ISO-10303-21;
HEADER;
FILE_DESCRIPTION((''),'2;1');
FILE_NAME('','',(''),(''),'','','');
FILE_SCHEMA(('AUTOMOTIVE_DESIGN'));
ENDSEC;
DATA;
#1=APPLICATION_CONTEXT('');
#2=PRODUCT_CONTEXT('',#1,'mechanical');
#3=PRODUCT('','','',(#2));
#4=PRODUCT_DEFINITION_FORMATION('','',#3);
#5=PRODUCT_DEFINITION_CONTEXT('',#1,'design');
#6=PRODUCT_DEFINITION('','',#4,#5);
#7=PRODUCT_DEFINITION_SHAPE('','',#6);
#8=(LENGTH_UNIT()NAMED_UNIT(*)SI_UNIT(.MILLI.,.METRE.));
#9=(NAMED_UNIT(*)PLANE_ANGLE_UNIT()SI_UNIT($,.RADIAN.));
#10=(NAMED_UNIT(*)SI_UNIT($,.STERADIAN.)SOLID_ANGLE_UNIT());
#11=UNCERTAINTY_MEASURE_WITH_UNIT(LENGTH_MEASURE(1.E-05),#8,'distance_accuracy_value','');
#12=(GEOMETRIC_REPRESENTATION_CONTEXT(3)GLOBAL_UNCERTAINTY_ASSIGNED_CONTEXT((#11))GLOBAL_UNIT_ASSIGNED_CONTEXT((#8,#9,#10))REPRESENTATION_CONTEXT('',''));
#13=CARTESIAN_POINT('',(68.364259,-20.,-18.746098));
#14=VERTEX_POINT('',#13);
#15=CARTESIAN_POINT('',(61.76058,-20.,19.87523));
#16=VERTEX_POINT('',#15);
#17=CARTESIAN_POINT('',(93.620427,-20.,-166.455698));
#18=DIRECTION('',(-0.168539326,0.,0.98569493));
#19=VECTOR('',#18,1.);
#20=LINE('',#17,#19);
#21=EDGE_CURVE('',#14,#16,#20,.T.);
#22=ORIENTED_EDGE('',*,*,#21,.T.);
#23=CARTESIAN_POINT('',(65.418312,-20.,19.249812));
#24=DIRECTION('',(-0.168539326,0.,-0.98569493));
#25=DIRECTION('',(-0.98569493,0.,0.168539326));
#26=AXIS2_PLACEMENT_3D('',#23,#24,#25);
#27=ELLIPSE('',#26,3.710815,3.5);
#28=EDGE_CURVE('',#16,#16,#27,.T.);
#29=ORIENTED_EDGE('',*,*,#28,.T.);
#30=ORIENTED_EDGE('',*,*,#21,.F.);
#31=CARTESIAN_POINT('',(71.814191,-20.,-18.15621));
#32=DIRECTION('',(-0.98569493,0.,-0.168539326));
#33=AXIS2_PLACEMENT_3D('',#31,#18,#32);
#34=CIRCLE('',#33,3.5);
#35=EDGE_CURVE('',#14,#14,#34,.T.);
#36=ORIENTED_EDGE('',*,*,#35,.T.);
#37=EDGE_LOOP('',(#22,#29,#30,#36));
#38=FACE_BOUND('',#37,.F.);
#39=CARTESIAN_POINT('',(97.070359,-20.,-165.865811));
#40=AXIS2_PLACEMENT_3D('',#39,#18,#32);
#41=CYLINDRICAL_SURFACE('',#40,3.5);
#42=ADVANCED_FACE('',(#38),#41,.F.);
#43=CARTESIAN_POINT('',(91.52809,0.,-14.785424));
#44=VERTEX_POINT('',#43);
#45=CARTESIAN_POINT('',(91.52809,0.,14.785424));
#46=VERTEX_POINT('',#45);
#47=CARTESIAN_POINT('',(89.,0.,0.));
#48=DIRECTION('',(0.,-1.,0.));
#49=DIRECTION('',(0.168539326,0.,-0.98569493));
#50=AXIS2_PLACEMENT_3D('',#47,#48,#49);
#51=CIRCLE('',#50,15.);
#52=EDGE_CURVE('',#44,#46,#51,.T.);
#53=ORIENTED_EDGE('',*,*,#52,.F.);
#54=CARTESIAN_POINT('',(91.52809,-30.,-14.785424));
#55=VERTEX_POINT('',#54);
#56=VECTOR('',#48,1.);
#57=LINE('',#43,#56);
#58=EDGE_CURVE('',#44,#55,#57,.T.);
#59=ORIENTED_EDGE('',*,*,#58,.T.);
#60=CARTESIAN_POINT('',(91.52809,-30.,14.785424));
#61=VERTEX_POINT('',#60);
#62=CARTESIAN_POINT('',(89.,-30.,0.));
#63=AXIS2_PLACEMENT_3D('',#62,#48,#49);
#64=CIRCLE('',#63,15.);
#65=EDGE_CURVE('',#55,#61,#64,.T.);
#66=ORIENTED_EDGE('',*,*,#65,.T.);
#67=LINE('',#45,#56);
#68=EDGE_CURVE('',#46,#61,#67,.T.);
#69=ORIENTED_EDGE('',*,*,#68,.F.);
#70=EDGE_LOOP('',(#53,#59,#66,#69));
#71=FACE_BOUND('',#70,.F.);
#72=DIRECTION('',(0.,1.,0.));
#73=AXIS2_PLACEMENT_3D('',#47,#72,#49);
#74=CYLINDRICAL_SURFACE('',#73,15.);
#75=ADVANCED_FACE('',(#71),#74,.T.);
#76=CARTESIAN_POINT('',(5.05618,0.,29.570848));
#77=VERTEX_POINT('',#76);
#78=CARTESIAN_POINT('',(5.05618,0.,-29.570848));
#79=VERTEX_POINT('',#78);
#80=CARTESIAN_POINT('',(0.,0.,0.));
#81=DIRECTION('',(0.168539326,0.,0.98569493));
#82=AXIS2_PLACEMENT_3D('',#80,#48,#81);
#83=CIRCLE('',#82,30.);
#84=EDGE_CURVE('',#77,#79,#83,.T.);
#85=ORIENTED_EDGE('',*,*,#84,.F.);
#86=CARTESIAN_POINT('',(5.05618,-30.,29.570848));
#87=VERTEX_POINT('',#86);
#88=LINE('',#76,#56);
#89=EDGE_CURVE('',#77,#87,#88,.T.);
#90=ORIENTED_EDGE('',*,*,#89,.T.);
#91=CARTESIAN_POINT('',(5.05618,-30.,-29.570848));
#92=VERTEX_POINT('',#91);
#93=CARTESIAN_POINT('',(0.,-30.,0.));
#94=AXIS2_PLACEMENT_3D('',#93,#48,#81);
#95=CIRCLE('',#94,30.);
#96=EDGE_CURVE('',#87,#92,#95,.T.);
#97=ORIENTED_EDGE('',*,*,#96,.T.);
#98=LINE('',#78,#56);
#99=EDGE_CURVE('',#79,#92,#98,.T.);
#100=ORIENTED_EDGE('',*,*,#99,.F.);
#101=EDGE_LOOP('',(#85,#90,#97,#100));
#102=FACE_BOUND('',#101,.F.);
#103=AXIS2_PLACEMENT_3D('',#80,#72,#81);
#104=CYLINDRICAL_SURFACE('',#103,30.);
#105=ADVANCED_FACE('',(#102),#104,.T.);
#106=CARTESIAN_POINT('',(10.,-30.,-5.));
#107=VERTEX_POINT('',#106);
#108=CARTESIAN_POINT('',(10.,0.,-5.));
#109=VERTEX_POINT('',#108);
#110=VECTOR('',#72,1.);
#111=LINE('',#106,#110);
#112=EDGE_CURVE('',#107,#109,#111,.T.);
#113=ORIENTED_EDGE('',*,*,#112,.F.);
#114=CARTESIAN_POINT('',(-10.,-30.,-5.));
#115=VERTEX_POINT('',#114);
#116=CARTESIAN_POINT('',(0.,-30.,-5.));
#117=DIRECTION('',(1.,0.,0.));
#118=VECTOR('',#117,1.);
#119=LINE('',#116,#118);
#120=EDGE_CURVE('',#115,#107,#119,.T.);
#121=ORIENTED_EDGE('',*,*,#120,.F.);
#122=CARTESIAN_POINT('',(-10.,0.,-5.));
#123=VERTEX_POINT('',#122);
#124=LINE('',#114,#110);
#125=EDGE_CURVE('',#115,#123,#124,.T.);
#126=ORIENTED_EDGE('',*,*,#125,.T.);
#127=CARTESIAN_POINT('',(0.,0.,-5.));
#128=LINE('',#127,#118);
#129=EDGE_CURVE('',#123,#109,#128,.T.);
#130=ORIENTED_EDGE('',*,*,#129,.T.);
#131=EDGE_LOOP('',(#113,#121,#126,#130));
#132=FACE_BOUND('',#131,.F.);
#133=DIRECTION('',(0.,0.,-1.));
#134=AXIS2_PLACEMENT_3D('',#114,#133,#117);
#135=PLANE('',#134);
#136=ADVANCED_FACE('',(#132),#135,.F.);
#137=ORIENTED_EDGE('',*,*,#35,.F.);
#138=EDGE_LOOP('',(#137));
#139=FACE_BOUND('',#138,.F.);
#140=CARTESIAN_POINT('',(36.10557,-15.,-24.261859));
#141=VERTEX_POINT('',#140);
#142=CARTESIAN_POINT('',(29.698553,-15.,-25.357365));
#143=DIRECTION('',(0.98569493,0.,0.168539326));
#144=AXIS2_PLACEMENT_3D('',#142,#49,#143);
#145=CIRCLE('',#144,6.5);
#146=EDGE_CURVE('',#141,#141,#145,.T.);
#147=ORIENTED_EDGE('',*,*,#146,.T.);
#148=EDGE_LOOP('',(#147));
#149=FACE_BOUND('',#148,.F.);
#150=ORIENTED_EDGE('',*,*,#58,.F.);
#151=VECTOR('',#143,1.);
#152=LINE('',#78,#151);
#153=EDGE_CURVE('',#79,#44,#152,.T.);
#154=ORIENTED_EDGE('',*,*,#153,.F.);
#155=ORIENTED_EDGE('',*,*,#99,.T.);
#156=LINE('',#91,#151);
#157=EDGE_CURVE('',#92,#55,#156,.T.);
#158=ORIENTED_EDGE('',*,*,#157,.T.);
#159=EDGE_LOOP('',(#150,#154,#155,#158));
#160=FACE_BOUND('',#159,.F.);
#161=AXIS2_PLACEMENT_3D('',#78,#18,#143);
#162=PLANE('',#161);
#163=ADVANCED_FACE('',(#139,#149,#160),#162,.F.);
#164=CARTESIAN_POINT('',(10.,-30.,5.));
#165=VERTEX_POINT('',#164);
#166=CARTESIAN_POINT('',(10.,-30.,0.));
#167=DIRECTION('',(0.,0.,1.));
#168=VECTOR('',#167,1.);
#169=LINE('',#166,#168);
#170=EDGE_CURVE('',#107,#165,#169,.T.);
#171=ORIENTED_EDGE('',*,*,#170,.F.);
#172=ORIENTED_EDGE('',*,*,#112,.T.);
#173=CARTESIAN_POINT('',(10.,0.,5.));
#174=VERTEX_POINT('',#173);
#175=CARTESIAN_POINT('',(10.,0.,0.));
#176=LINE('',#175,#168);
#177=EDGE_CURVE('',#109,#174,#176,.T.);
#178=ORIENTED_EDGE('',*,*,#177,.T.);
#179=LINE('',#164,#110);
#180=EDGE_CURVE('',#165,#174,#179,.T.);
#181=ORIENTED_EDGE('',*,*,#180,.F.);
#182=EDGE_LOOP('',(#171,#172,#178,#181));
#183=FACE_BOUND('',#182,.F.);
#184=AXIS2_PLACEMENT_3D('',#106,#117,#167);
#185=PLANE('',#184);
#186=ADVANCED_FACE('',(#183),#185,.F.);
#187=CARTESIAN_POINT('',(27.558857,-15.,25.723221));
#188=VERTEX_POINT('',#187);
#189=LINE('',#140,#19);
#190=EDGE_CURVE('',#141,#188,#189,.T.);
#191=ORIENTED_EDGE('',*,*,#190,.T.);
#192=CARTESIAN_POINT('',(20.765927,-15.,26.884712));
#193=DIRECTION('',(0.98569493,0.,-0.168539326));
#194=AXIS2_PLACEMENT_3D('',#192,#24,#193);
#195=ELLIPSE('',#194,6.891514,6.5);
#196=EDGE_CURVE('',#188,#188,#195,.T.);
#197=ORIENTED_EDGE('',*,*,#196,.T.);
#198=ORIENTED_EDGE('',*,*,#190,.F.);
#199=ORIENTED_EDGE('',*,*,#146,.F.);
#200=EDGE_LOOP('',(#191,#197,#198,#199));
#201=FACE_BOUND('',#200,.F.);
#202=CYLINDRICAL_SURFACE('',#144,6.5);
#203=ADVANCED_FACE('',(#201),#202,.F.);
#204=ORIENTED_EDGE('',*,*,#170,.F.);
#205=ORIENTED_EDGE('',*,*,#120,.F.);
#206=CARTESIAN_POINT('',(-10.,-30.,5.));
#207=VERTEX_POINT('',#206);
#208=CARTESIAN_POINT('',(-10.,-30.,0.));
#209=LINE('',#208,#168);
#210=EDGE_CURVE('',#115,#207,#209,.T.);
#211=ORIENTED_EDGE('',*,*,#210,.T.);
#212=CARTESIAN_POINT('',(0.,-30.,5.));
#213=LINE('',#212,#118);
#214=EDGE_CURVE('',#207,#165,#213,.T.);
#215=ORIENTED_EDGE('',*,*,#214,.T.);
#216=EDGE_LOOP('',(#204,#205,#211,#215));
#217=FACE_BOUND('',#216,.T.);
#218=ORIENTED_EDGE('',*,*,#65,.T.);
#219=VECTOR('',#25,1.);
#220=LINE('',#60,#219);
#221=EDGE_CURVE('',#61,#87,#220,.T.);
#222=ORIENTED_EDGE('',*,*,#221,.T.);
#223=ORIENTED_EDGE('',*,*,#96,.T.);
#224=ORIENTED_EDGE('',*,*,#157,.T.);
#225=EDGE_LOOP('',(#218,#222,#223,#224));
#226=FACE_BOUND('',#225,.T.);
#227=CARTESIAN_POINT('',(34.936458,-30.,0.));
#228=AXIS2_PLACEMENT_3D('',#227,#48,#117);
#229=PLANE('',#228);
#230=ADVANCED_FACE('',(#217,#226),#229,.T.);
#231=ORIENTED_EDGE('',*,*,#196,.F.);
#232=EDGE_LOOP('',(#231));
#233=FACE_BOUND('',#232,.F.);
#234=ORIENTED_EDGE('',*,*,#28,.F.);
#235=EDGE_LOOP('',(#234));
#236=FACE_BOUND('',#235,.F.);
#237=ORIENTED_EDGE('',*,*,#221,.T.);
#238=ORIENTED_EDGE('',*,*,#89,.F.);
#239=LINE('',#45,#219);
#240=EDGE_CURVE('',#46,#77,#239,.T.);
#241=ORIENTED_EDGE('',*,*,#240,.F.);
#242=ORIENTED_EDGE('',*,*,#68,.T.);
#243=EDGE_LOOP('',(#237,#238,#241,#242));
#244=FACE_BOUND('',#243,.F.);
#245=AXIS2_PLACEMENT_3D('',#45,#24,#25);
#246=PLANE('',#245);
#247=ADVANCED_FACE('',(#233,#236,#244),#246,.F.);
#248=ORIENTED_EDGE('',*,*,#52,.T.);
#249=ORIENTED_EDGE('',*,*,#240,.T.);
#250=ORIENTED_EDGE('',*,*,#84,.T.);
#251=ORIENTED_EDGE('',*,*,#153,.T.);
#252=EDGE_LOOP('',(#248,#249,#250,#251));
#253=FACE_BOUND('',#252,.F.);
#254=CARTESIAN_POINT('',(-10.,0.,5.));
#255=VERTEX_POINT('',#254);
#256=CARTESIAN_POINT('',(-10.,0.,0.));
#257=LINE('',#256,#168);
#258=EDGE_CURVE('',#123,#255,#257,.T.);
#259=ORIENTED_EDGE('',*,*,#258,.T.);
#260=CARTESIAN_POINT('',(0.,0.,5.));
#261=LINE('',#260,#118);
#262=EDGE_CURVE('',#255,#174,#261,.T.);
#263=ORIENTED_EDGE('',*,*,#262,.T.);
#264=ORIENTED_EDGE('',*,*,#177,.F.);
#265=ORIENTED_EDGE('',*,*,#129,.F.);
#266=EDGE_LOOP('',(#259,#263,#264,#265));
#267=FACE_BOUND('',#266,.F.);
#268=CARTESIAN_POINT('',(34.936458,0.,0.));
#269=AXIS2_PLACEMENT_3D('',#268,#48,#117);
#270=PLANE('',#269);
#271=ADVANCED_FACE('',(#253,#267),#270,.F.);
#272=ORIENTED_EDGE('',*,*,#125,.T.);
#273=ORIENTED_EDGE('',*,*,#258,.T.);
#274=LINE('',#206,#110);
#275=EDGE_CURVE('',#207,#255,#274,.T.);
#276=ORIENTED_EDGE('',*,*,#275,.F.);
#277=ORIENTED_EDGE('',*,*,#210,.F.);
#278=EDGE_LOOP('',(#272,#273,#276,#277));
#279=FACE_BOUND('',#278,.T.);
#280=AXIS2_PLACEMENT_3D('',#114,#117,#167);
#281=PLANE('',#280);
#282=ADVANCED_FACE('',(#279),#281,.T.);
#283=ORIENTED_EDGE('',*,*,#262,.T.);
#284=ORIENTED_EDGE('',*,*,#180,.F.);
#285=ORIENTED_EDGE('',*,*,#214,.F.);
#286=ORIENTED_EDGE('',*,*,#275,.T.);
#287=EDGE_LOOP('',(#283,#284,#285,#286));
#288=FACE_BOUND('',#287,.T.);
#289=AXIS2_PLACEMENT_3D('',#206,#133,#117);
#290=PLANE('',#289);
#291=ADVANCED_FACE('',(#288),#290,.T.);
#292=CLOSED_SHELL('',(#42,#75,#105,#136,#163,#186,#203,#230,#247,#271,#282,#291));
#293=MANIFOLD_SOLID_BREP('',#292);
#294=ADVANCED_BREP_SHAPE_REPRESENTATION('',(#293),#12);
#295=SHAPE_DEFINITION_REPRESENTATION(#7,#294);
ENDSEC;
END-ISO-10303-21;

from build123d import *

# Parameters (mm, degrees)
F1_DEPTH = 30
F2_W     = 20
F2_H     = 10
F3_DEPTH = 30
F4_R     = 6.5
F5_DEPTH = 64.6280276847
F7_D     = 7


with BuildPart() as f1:
    # F0 (on Front) → F1 (new body)
    with BuildSketch(Plane.XZ):
        with BuildLine():
            Line((91.5280898876, 14.7854239547), (5.0561797753, 29.5708479094))
            ThreePointArc((5.0561797753, 29.5708479094), (-30, 0), (5.0561797753, -29.5708479094))
            Line((5.0561797753, -29.5708479094), (91.5280898876, -14.7854239547))
            ThreePointArc((91.5280898876, -14.7854239547), (104, 0), (91.5280898876, 14.7854239547))
        make_face()
    extrude(amount=F1_DEPTH)

    # F2 (on face) → F3 (cut)
    with BuildSketch(Plane.XZ.offset(30)):
        Rectangle(F2_W, F2_H)
    extrude(amount=-F3_DEPTH, mode=Mode.SUBTRACT)

    # F4 (on face) → F5 (cut, through all)
    with BuildSketch(Plane(origin=(5.0561797753, 0, -29.5708479094), x_dir=(0.9856949303, 0, 0.1685393258), z_dir=(0.1685393258, 0, -0.9856949303))):
        with Locations((25, 15)):
            Circle(F4_R)
    extrude(amount=-F5_DEPTH, mode=Mode.SUBTRACT)

    # F7 (through all)
    with Locations(Plane(origin=(5.0561797753, 0, -29.5708479094), x_dir=(0.9856949303, 0, 0.1685393258), z_dir=(0.1685393258, 0, -0.9856949303))):
        with Locations((67.7268487978, 20)):
            Hole(F7_D / 2)


solid = f1.part
